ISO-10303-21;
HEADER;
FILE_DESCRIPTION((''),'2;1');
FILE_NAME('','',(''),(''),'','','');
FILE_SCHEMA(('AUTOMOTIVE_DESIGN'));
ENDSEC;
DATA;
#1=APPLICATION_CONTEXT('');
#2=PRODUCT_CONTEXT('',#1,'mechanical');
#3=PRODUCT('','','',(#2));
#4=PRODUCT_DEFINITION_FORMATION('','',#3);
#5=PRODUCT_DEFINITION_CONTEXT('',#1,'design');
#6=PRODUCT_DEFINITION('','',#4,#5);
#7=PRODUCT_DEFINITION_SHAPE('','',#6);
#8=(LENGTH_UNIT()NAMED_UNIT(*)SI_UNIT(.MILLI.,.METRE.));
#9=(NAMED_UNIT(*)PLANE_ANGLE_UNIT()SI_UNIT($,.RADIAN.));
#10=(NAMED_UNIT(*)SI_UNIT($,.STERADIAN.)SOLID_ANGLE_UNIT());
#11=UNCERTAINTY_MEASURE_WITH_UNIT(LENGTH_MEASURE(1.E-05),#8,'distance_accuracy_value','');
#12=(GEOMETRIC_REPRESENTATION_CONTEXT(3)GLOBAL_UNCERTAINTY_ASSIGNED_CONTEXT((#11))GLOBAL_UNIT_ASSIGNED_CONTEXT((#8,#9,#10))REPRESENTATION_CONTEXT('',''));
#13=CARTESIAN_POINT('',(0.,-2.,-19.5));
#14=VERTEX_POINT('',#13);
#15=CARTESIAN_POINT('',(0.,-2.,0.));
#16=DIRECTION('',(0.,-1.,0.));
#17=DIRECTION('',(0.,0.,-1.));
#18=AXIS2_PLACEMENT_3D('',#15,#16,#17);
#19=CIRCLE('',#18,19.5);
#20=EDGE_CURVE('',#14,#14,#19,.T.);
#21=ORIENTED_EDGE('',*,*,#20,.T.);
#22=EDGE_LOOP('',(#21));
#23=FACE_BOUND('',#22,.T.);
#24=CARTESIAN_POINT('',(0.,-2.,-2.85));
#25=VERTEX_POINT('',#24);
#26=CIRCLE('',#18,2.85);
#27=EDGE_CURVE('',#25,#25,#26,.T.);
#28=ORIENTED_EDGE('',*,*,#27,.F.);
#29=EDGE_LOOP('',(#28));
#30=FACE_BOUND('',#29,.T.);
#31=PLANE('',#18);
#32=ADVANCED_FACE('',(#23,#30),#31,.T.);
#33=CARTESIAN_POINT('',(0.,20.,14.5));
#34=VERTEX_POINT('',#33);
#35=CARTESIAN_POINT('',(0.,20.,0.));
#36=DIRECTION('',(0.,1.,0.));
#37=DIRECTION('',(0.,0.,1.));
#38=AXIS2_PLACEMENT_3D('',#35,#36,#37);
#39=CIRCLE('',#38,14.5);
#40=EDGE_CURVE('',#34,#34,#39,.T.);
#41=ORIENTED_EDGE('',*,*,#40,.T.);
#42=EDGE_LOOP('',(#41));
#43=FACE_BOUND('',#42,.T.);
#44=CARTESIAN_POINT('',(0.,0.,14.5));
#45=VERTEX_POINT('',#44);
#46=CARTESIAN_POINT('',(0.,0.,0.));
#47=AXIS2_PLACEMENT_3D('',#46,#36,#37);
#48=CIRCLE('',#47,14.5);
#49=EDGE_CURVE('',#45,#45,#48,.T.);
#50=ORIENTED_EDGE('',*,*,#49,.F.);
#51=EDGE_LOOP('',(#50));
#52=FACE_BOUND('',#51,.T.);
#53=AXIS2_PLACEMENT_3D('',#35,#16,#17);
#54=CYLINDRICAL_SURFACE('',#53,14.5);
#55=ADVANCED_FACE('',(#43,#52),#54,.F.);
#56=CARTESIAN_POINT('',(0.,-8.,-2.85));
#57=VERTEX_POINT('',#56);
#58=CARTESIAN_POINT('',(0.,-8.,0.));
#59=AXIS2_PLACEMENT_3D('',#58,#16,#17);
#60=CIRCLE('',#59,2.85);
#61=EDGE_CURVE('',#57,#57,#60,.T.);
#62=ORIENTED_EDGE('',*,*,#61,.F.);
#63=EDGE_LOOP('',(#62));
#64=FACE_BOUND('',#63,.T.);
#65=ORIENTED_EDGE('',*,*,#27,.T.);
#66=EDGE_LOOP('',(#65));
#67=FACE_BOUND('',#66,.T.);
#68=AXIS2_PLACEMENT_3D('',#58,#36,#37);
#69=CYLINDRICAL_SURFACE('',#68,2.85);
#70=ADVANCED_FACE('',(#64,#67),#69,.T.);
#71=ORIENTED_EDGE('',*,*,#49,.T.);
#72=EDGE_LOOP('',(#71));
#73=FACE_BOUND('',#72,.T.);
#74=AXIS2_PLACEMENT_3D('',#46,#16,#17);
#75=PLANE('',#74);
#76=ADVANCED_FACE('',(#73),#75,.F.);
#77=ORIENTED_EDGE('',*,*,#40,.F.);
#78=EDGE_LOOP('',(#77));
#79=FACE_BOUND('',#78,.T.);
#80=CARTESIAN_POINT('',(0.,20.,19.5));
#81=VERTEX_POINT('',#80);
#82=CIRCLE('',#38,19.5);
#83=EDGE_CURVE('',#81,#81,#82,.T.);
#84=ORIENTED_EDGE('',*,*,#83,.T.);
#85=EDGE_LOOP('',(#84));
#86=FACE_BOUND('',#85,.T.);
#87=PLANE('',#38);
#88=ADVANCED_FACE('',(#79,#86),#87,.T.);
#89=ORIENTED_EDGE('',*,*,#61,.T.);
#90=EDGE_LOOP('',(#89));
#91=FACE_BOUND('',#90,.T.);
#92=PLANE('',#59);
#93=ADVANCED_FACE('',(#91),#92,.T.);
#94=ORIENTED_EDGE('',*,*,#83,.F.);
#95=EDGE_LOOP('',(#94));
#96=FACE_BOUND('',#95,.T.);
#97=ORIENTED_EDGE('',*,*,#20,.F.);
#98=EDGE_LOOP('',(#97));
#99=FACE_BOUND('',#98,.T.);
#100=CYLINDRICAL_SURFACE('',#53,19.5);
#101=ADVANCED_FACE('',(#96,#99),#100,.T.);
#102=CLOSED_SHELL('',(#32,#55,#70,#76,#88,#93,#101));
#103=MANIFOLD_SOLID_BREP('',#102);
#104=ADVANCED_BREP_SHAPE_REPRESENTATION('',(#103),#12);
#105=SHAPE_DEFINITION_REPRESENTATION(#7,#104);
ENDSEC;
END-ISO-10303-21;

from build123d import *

# Parameters (mm, degrees)
SKETCH2_R           = 19.5
SKETCH2_R_2         = 14.5
BOSS_EXTRUDE1_DEPTH = 20
BOSS_EXTRUDE2_START = 2
SKETCH3_R           = 19.5
BOSS_EXTRUDE2_DEPTH = 2
SKETCH4_R           = 2.85
BOSS_EXTRUDE3_DEPTH = 6


with BuildPart() as part:
    # Sketch2 → Boss-Extrude1 (new body)
    with BuildSketch(Plane(origin=(0, 0, 0), x_dir=(1, 0, 0), z_dir=(0, 1, 0))):
        with Locations(Location((0, 0, 0), (0, 0, 270))):
            Circle(SKETCH2_R)
        with Locations(Location((0, 0, 0), (0, 0, 270))):
            Circle(SKETCH2_R_2, mode=Mode.SUBTRACT)
    extrude(amount=BOSS_EXTRUDE1_DEPTH)

    # Sketch3 → Boss-Extrude2 (add)
    with BuildSketch(Plane.XZ.offset(BOSS_EXTRUDE2_START)):
        with Locations(Location((0, 0, 0), (0, 0, 270))):
            Circle(SKETCH3_R)
    extrude(amount=-BOSS_EXTRUDE2_DEPTH)

    # Sketch4 → Boss-Extrude3 (add)
    with BuildSketch(Plane.XZ.offset(2)):
        with Locations(Location((0, 0, 0), (0, 0, 270))):
            Circle(SKETCH4_R)
    extrude(amount=BOSS_EXTRUDE3_DEPTH)


solid = part.part
